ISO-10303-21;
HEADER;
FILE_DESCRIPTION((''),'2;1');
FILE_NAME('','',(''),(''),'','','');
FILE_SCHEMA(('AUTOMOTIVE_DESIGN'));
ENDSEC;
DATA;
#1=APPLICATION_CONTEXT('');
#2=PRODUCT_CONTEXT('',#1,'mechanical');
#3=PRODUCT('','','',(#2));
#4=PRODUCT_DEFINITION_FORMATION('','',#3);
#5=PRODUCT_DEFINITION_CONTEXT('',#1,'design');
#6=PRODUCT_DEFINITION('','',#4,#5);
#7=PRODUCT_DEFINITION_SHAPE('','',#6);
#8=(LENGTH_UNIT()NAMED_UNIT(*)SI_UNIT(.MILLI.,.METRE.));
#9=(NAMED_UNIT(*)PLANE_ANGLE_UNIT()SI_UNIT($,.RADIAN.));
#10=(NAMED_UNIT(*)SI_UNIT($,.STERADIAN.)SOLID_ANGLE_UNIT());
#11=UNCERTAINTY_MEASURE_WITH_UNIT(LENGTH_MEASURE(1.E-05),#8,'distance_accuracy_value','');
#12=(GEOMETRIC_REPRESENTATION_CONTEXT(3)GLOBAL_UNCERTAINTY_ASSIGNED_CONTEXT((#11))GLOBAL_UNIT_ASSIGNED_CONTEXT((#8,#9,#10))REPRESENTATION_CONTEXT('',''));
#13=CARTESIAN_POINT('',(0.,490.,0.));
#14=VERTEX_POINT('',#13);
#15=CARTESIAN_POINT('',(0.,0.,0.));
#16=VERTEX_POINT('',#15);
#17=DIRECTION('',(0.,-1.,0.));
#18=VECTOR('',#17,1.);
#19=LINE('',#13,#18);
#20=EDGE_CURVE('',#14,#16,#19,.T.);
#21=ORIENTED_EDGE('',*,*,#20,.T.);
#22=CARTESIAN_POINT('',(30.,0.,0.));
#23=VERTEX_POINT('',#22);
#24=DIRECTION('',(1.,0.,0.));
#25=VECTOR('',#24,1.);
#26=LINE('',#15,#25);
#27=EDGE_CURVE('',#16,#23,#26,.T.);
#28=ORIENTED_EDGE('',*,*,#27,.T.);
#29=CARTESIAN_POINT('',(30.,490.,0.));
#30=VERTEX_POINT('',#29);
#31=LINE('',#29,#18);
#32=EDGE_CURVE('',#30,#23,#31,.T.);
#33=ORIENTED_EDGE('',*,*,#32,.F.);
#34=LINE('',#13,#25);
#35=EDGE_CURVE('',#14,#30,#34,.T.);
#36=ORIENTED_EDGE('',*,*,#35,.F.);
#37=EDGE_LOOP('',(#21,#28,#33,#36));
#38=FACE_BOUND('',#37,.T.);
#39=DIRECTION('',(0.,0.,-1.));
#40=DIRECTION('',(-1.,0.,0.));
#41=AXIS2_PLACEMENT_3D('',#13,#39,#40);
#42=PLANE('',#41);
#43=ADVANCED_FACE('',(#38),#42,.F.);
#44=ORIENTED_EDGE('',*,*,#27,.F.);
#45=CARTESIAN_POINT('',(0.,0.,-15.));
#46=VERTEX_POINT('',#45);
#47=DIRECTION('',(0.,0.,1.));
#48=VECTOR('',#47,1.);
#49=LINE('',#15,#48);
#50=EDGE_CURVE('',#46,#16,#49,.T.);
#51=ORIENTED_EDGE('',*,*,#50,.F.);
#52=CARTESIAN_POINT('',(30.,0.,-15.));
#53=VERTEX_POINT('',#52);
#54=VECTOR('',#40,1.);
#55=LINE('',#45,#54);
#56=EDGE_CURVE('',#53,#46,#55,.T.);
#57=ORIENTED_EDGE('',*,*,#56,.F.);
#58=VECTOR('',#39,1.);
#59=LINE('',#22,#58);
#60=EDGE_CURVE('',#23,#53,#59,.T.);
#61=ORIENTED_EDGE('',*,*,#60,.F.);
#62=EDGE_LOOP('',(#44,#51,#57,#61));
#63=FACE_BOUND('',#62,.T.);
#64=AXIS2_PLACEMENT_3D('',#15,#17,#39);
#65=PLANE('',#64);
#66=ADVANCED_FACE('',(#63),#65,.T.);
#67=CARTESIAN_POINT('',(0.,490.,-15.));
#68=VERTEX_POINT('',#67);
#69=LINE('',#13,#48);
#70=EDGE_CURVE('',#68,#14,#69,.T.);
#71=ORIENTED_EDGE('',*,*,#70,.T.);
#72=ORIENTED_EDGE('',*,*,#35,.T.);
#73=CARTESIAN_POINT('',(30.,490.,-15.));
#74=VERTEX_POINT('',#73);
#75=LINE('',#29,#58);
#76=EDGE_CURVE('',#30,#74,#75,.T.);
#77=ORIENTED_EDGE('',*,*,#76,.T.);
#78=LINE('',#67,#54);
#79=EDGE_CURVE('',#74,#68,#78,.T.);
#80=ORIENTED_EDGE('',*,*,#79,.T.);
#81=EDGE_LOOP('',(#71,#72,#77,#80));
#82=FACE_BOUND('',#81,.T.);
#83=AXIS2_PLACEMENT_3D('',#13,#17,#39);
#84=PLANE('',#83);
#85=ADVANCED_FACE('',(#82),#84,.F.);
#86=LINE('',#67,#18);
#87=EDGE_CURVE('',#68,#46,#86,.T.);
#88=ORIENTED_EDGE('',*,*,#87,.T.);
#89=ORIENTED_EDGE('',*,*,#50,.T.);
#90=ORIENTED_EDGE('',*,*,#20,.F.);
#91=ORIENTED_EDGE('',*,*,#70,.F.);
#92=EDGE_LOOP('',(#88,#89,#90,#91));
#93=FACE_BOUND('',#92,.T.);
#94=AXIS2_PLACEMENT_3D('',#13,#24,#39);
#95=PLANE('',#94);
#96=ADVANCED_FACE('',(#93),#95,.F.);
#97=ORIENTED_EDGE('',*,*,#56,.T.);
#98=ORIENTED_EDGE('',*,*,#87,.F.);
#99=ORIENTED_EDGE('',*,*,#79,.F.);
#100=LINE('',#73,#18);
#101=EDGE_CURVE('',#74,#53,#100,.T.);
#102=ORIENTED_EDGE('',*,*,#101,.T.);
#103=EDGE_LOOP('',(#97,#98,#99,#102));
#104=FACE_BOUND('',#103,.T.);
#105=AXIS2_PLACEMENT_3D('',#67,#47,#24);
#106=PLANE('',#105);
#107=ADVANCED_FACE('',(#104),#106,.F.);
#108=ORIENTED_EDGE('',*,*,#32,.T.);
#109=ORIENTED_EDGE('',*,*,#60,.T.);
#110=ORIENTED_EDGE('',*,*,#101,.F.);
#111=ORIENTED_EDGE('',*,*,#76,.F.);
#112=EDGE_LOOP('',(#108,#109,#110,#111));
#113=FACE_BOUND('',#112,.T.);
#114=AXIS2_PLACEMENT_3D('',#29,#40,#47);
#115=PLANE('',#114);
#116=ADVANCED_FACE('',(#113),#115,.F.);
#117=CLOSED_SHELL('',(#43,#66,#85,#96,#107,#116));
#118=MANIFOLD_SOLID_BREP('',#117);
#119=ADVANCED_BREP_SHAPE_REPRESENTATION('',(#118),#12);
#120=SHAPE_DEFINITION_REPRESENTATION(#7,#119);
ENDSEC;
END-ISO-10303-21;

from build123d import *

# Parameters (mm, degrees)
SKETCH1_W           = 30
SKETCH1_H           = 15
BOSS_EXTRUDE1_DEPTH = 490


with BuildPart() as part:
    # Sketch1 → Boss-Extrude1 (new body)
    with BuildSketch(Plane(origin=(0, 0, 0), x_dir=(1, 0, 0), z_dir=(0, 1, 0))):
        with Locations((15, 7.5)):
            Rectangle(SKETCH1_W, SKETCH1_H)
    extrude(amount=BOSS_EXTRUDE1_DEPTH)


solid = part.part
